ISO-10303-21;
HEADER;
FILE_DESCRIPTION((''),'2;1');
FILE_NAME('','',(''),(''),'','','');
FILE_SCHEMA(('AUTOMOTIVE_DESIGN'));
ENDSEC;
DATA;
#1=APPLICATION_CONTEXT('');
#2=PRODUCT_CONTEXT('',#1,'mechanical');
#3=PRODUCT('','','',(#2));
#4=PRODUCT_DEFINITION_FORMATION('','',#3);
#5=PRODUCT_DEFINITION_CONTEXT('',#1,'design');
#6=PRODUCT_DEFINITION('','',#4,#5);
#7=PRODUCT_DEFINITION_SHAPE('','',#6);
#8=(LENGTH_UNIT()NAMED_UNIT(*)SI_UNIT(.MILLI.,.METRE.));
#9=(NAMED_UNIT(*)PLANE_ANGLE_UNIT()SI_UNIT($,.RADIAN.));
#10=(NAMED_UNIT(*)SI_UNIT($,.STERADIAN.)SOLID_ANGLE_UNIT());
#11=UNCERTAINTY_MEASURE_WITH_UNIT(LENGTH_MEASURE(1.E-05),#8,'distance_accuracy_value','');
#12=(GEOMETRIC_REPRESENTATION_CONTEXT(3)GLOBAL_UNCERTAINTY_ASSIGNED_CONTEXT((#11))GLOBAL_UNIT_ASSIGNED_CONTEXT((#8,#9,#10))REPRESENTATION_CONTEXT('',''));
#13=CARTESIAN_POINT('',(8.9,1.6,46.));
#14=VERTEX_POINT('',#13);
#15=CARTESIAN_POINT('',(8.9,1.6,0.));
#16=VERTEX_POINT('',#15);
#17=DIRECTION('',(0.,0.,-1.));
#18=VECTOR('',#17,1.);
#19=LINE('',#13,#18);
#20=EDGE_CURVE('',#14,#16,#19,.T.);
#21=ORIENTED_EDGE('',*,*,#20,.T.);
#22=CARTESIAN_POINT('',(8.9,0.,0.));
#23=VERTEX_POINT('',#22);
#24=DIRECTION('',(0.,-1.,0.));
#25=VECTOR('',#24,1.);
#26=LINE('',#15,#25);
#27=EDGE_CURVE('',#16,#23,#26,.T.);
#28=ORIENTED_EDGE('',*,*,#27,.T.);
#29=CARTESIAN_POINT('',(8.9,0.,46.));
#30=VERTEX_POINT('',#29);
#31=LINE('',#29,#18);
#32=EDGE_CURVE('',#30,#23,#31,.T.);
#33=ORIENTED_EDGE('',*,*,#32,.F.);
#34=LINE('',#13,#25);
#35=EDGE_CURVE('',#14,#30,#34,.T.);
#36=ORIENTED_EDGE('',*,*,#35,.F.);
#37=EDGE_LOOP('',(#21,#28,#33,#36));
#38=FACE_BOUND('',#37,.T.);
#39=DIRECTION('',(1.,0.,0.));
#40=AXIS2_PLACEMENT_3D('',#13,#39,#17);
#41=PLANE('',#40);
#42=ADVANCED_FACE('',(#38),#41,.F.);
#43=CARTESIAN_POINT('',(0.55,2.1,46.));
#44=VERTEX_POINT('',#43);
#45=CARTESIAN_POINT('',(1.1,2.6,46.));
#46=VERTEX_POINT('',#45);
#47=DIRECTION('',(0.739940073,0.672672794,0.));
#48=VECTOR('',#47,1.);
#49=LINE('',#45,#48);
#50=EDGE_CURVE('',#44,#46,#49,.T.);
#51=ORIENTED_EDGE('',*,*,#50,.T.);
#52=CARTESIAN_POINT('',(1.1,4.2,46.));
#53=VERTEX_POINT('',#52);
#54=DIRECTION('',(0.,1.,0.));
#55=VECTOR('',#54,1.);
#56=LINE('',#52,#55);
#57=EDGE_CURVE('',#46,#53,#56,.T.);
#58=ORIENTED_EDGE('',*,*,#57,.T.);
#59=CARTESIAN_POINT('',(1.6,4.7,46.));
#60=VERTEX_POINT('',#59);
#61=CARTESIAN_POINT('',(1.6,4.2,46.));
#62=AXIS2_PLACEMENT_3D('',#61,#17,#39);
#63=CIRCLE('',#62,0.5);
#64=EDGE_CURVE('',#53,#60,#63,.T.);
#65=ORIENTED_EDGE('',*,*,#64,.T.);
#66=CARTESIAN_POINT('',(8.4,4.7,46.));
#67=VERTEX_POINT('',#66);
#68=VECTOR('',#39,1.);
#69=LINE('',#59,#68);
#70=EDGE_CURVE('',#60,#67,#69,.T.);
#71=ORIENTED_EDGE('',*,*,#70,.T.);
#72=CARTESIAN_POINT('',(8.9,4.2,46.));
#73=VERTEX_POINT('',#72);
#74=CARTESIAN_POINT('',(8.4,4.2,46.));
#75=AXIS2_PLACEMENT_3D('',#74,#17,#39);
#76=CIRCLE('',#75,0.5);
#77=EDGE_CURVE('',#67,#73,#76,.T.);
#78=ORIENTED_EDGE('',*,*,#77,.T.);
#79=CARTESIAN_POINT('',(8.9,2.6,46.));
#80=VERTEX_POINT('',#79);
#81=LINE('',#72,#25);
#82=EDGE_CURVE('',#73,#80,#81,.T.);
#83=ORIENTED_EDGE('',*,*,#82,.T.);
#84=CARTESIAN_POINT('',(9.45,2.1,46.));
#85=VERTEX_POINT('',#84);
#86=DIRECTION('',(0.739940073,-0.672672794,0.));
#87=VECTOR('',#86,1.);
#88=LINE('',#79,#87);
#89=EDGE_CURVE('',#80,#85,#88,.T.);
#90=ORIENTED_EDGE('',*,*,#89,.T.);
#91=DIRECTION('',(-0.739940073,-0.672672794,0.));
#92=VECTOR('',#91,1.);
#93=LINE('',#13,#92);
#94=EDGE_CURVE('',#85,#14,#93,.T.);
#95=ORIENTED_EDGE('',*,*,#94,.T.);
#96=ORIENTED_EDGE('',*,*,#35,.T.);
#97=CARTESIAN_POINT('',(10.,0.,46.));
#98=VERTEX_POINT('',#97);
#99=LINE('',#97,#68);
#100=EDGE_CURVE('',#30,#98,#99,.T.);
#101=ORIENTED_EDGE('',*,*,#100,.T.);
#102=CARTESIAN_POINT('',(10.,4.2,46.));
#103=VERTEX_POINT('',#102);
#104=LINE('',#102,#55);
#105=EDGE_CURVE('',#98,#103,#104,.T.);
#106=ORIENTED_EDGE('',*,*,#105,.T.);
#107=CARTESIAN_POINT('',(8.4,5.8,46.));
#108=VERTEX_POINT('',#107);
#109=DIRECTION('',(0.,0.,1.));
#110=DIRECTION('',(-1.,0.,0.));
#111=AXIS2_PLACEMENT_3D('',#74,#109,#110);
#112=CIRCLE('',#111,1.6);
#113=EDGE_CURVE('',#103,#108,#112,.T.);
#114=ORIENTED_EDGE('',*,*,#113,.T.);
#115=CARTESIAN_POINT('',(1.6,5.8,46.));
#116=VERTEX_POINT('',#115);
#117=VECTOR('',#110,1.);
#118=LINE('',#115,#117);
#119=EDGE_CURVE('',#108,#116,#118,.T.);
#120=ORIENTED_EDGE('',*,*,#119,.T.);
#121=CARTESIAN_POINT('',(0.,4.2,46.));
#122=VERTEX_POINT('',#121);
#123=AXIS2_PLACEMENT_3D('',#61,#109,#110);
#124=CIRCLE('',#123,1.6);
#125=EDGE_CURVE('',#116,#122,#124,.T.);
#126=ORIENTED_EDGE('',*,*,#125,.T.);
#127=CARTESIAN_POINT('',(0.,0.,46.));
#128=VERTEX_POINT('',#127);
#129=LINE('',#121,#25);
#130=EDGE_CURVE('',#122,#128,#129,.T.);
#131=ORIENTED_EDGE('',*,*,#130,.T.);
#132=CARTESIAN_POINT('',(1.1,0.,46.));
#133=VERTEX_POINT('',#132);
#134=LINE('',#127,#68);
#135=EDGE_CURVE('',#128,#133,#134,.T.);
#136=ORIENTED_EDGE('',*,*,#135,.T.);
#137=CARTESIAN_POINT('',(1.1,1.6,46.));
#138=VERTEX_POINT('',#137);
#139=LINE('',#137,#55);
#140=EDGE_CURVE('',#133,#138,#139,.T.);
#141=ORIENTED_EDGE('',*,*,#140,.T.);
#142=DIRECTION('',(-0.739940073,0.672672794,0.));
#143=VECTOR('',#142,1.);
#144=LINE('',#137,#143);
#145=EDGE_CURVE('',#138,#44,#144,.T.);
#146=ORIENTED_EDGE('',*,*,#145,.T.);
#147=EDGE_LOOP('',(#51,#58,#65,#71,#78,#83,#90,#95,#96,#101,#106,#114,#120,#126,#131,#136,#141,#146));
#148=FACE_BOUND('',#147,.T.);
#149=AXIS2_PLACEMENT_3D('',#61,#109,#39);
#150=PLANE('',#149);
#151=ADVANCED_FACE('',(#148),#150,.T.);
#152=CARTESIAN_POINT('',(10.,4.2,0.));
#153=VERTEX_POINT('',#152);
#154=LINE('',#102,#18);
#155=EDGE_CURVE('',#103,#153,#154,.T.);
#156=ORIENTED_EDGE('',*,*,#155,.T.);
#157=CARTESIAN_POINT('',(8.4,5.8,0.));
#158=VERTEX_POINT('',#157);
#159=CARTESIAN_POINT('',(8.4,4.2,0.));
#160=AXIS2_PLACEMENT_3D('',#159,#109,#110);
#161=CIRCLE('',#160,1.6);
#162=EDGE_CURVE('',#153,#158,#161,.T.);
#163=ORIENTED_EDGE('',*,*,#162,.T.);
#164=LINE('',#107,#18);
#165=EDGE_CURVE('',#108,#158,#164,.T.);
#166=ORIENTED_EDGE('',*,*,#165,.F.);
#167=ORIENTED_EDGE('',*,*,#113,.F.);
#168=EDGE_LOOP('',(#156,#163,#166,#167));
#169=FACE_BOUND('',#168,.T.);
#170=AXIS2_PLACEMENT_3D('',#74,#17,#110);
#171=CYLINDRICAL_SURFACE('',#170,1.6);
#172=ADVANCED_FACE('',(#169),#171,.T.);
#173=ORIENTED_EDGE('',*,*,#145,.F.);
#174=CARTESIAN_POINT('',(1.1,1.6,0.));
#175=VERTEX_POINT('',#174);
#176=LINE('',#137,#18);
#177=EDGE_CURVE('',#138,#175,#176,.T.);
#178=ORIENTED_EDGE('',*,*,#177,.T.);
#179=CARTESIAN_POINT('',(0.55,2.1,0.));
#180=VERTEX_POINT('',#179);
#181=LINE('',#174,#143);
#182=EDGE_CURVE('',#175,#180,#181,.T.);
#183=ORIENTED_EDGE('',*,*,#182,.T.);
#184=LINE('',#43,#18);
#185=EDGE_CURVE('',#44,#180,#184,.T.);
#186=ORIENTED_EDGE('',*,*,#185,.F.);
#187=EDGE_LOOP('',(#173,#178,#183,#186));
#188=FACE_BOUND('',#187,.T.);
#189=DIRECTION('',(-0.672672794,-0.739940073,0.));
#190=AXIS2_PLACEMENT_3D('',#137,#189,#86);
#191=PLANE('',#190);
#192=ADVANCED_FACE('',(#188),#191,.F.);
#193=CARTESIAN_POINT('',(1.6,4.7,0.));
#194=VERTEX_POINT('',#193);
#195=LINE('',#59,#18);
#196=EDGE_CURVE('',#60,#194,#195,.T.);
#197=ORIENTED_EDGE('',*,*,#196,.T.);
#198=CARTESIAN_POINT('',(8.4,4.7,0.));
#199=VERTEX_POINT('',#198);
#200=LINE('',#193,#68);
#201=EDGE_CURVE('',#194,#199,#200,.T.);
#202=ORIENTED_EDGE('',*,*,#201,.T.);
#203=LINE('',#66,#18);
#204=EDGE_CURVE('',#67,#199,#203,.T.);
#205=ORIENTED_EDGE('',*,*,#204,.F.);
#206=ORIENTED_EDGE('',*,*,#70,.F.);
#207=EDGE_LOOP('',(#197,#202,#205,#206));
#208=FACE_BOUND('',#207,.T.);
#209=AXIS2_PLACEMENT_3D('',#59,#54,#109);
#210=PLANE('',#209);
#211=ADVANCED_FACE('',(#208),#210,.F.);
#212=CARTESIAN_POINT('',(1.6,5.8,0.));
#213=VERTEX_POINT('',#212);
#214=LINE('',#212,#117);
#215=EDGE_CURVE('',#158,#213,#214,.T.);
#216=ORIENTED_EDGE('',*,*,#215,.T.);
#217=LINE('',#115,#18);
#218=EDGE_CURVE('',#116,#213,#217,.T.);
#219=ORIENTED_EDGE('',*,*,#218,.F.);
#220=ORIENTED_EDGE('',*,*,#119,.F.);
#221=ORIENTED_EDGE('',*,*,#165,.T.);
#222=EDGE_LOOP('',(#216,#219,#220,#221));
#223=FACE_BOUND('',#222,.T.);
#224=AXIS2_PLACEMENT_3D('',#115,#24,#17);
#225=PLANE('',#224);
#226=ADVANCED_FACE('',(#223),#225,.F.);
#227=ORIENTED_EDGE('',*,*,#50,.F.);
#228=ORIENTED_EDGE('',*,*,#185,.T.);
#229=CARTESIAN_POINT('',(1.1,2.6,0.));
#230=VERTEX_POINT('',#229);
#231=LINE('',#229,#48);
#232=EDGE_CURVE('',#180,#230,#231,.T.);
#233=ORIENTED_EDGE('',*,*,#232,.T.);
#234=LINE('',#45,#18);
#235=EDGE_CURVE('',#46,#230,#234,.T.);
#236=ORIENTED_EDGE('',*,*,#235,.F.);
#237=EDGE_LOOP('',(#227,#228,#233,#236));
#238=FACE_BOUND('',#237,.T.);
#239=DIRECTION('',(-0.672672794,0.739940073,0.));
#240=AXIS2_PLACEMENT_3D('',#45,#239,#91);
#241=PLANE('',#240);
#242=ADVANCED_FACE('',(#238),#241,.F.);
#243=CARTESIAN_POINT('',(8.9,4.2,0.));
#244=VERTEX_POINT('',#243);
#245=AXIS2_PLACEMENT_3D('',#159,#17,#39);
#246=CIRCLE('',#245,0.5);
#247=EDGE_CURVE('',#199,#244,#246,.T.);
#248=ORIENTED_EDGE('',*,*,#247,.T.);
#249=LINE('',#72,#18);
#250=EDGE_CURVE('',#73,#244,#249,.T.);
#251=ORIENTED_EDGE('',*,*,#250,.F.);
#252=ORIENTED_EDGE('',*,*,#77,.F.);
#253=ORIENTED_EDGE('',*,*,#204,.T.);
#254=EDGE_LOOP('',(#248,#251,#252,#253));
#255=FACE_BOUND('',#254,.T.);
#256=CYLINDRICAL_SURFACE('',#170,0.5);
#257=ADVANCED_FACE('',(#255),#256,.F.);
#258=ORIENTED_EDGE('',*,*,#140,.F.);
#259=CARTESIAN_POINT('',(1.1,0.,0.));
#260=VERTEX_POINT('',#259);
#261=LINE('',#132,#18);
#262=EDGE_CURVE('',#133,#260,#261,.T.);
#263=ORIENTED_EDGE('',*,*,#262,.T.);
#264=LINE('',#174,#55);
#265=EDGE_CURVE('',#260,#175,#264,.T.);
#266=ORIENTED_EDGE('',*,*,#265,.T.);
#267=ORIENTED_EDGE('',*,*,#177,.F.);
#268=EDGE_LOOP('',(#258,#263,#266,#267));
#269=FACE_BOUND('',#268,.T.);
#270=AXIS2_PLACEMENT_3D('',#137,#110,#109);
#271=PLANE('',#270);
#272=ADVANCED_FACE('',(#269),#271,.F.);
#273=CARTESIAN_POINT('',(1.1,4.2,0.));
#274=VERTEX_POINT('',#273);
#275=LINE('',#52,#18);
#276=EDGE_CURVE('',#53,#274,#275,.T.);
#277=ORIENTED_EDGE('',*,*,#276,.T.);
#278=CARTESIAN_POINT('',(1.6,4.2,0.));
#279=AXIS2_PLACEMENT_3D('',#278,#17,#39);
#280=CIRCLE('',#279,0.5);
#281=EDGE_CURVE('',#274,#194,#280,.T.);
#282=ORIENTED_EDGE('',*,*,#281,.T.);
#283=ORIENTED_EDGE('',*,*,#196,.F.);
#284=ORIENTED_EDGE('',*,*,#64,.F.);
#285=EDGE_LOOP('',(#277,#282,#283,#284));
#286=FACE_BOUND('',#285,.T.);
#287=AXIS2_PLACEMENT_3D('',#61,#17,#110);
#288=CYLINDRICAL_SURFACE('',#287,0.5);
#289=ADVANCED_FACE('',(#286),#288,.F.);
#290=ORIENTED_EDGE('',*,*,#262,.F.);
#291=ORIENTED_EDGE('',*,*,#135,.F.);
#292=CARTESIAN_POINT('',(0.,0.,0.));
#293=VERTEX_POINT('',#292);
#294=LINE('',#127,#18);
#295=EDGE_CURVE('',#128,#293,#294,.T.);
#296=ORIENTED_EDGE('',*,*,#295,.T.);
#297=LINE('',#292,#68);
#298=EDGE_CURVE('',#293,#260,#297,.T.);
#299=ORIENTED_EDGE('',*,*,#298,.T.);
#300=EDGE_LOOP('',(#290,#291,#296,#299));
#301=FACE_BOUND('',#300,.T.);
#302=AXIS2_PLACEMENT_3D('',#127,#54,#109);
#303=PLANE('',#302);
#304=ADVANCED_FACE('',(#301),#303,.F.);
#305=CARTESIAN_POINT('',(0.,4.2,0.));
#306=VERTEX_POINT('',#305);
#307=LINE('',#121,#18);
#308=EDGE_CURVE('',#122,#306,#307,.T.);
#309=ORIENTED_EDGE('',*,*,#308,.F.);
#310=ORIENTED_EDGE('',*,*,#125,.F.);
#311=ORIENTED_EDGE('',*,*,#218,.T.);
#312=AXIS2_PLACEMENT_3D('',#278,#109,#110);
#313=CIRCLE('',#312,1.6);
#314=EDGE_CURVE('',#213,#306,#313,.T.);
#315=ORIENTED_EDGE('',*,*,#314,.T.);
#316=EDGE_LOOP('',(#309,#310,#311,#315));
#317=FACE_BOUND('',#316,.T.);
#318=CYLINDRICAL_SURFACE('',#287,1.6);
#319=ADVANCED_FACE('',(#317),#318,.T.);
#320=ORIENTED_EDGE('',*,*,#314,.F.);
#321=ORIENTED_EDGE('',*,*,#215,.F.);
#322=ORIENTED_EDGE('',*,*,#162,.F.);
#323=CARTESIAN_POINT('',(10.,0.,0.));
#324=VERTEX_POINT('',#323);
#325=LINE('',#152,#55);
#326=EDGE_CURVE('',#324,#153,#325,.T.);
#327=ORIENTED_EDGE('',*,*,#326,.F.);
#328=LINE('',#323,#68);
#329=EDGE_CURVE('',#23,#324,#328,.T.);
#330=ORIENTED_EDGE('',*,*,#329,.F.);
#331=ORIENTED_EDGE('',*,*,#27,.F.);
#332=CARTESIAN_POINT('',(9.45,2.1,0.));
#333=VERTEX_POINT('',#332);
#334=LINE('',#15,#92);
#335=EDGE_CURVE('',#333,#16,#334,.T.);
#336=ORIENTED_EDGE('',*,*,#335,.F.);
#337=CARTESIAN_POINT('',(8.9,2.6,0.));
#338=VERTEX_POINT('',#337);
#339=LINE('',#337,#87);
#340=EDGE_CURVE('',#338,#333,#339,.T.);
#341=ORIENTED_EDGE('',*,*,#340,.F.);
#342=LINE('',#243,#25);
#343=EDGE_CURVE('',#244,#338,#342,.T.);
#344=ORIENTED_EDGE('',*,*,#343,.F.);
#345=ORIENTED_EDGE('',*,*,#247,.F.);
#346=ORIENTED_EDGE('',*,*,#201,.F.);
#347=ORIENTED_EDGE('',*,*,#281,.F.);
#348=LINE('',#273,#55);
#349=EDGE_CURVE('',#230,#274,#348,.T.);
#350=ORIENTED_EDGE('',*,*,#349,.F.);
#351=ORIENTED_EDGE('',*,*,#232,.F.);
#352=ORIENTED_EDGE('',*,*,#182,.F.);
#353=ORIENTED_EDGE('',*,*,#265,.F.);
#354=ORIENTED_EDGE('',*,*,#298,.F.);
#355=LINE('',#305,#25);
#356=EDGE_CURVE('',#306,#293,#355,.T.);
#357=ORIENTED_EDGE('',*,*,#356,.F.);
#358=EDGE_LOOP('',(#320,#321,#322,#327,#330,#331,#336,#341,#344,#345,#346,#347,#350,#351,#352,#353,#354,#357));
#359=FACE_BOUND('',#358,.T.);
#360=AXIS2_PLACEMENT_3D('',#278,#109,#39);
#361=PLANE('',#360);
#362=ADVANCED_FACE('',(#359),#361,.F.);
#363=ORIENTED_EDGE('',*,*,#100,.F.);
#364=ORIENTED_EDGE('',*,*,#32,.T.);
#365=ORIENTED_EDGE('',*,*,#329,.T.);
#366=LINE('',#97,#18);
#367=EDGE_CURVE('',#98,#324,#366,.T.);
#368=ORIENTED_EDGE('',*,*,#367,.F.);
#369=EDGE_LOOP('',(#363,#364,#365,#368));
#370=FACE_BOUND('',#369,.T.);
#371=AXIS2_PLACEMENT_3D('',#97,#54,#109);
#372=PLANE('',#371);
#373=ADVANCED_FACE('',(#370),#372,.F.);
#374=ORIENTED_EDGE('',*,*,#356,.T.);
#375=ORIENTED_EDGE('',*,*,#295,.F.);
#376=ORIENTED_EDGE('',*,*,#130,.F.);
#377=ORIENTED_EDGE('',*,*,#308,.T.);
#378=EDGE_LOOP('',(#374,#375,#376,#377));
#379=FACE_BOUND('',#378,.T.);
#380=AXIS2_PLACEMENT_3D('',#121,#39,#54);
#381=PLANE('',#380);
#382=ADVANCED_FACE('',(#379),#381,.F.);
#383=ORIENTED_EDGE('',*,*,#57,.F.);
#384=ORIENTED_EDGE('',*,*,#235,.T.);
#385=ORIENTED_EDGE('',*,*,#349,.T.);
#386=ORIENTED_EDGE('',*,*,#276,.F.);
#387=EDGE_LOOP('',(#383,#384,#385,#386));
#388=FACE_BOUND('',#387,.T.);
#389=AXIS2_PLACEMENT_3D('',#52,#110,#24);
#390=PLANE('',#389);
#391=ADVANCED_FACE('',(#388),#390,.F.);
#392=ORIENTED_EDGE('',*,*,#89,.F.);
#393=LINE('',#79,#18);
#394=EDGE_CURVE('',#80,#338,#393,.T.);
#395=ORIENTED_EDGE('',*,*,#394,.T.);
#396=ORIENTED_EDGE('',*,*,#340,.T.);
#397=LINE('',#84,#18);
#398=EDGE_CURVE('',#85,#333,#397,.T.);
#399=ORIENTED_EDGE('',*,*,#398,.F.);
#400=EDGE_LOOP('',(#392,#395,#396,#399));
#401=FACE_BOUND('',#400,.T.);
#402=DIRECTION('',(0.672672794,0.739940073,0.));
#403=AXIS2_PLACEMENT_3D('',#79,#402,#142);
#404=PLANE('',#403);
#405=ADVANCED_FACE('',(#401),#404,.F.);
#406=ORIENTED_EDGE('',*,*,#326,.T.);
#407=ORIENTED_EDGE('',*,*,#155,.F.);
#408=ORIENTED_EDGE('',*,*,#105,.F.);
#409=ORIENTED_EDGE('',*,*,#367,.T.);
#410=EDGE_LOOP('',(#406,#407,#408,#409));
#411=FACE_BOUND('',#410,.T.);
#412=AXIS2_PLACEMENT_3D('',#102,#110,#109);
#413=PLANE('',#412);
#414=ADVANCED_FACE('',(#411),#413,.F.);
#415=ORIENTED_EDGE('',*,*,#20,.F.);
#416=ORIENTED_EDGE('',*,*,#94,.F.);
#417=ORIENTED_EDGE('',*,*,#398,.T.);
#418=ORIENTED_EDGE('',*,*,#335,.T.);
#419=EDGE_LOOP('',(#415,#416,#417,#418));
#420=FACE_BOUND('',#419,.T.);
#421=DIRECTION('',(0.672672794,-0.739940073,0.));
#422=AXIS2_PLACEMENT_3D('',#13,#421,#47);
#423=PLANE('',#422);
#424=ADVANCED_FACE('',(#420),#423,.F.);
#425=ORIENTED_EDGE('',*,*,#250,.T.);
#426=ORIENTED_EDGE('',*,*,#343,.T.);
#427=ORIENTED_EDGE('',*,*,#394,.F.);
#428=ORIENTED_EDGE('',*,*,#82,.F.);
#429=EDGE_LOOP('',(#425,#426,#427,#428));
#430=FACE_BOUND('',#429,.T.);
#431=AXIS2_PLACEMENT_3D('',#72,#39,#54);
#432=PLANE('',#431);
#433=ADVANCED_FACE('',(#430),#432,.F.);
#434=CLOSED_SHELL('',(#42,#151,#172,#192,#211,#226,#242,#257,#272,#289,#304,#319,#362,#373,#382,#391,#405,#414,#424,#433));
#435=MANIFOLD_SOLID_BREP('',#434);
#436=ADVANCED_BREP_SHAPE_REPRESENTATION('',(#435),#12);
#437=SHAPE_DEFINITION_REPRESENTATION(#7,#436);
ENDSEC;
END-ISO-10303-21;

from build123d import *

# Parameters (mm, degrees)
EXTRUSION1_DEPTH = 46


with BuildPart() as part:
    # Esquisse1 → Extrusion1 (new body)
    with BuildSketch(Plane.XY):
        with BuildLine():
            Line((1.6, 5.8), (8.4, 5.8))
            ThreePointArc((8.4, 5.8), (9.53137085, 5.33137085), (10, 4.2))
            Line((10, 4.2), (10, 0))
            Line((10, 0), (8.9, 0))
            Line((8.9, 0), (8.9, 1.6))
            Line((8.9, 1.6), (9.45, 2.1))
            Line((9.45, 2.1), (8.9, 2.6))
            Line((8.9, 2.6), (8.9, 4.2))
            ThreePointArc((8.9, 4.2), (8.753553391, 4.553553391), (8.4, 4.7))
            Line((8.4, 4.7), (1.6, 4.7))
            ThreePointArc((1.6, 4.7), (1.246446609, 4.553553391), (1.1, 4.2))
            Line((1.1, 4.2), (1.1, 2.6))
            Line((1.1, 2.6), (0.55, 2.1))
            Line((0.55, 2.1), (1.1, 1.6))
            Line((1.1, 1.6), (1.1, 0))
            Line((1.1, 0), (0, 0))
            Line((0, 0), (0, 4.2))
            ThreePointArc((0, 4.2), (0.46862915, 5.33137085), (1.6, 5.8))
        make_face()
    extrude(amount=EXTRUSION1_DEPTH)


solid = part.part
